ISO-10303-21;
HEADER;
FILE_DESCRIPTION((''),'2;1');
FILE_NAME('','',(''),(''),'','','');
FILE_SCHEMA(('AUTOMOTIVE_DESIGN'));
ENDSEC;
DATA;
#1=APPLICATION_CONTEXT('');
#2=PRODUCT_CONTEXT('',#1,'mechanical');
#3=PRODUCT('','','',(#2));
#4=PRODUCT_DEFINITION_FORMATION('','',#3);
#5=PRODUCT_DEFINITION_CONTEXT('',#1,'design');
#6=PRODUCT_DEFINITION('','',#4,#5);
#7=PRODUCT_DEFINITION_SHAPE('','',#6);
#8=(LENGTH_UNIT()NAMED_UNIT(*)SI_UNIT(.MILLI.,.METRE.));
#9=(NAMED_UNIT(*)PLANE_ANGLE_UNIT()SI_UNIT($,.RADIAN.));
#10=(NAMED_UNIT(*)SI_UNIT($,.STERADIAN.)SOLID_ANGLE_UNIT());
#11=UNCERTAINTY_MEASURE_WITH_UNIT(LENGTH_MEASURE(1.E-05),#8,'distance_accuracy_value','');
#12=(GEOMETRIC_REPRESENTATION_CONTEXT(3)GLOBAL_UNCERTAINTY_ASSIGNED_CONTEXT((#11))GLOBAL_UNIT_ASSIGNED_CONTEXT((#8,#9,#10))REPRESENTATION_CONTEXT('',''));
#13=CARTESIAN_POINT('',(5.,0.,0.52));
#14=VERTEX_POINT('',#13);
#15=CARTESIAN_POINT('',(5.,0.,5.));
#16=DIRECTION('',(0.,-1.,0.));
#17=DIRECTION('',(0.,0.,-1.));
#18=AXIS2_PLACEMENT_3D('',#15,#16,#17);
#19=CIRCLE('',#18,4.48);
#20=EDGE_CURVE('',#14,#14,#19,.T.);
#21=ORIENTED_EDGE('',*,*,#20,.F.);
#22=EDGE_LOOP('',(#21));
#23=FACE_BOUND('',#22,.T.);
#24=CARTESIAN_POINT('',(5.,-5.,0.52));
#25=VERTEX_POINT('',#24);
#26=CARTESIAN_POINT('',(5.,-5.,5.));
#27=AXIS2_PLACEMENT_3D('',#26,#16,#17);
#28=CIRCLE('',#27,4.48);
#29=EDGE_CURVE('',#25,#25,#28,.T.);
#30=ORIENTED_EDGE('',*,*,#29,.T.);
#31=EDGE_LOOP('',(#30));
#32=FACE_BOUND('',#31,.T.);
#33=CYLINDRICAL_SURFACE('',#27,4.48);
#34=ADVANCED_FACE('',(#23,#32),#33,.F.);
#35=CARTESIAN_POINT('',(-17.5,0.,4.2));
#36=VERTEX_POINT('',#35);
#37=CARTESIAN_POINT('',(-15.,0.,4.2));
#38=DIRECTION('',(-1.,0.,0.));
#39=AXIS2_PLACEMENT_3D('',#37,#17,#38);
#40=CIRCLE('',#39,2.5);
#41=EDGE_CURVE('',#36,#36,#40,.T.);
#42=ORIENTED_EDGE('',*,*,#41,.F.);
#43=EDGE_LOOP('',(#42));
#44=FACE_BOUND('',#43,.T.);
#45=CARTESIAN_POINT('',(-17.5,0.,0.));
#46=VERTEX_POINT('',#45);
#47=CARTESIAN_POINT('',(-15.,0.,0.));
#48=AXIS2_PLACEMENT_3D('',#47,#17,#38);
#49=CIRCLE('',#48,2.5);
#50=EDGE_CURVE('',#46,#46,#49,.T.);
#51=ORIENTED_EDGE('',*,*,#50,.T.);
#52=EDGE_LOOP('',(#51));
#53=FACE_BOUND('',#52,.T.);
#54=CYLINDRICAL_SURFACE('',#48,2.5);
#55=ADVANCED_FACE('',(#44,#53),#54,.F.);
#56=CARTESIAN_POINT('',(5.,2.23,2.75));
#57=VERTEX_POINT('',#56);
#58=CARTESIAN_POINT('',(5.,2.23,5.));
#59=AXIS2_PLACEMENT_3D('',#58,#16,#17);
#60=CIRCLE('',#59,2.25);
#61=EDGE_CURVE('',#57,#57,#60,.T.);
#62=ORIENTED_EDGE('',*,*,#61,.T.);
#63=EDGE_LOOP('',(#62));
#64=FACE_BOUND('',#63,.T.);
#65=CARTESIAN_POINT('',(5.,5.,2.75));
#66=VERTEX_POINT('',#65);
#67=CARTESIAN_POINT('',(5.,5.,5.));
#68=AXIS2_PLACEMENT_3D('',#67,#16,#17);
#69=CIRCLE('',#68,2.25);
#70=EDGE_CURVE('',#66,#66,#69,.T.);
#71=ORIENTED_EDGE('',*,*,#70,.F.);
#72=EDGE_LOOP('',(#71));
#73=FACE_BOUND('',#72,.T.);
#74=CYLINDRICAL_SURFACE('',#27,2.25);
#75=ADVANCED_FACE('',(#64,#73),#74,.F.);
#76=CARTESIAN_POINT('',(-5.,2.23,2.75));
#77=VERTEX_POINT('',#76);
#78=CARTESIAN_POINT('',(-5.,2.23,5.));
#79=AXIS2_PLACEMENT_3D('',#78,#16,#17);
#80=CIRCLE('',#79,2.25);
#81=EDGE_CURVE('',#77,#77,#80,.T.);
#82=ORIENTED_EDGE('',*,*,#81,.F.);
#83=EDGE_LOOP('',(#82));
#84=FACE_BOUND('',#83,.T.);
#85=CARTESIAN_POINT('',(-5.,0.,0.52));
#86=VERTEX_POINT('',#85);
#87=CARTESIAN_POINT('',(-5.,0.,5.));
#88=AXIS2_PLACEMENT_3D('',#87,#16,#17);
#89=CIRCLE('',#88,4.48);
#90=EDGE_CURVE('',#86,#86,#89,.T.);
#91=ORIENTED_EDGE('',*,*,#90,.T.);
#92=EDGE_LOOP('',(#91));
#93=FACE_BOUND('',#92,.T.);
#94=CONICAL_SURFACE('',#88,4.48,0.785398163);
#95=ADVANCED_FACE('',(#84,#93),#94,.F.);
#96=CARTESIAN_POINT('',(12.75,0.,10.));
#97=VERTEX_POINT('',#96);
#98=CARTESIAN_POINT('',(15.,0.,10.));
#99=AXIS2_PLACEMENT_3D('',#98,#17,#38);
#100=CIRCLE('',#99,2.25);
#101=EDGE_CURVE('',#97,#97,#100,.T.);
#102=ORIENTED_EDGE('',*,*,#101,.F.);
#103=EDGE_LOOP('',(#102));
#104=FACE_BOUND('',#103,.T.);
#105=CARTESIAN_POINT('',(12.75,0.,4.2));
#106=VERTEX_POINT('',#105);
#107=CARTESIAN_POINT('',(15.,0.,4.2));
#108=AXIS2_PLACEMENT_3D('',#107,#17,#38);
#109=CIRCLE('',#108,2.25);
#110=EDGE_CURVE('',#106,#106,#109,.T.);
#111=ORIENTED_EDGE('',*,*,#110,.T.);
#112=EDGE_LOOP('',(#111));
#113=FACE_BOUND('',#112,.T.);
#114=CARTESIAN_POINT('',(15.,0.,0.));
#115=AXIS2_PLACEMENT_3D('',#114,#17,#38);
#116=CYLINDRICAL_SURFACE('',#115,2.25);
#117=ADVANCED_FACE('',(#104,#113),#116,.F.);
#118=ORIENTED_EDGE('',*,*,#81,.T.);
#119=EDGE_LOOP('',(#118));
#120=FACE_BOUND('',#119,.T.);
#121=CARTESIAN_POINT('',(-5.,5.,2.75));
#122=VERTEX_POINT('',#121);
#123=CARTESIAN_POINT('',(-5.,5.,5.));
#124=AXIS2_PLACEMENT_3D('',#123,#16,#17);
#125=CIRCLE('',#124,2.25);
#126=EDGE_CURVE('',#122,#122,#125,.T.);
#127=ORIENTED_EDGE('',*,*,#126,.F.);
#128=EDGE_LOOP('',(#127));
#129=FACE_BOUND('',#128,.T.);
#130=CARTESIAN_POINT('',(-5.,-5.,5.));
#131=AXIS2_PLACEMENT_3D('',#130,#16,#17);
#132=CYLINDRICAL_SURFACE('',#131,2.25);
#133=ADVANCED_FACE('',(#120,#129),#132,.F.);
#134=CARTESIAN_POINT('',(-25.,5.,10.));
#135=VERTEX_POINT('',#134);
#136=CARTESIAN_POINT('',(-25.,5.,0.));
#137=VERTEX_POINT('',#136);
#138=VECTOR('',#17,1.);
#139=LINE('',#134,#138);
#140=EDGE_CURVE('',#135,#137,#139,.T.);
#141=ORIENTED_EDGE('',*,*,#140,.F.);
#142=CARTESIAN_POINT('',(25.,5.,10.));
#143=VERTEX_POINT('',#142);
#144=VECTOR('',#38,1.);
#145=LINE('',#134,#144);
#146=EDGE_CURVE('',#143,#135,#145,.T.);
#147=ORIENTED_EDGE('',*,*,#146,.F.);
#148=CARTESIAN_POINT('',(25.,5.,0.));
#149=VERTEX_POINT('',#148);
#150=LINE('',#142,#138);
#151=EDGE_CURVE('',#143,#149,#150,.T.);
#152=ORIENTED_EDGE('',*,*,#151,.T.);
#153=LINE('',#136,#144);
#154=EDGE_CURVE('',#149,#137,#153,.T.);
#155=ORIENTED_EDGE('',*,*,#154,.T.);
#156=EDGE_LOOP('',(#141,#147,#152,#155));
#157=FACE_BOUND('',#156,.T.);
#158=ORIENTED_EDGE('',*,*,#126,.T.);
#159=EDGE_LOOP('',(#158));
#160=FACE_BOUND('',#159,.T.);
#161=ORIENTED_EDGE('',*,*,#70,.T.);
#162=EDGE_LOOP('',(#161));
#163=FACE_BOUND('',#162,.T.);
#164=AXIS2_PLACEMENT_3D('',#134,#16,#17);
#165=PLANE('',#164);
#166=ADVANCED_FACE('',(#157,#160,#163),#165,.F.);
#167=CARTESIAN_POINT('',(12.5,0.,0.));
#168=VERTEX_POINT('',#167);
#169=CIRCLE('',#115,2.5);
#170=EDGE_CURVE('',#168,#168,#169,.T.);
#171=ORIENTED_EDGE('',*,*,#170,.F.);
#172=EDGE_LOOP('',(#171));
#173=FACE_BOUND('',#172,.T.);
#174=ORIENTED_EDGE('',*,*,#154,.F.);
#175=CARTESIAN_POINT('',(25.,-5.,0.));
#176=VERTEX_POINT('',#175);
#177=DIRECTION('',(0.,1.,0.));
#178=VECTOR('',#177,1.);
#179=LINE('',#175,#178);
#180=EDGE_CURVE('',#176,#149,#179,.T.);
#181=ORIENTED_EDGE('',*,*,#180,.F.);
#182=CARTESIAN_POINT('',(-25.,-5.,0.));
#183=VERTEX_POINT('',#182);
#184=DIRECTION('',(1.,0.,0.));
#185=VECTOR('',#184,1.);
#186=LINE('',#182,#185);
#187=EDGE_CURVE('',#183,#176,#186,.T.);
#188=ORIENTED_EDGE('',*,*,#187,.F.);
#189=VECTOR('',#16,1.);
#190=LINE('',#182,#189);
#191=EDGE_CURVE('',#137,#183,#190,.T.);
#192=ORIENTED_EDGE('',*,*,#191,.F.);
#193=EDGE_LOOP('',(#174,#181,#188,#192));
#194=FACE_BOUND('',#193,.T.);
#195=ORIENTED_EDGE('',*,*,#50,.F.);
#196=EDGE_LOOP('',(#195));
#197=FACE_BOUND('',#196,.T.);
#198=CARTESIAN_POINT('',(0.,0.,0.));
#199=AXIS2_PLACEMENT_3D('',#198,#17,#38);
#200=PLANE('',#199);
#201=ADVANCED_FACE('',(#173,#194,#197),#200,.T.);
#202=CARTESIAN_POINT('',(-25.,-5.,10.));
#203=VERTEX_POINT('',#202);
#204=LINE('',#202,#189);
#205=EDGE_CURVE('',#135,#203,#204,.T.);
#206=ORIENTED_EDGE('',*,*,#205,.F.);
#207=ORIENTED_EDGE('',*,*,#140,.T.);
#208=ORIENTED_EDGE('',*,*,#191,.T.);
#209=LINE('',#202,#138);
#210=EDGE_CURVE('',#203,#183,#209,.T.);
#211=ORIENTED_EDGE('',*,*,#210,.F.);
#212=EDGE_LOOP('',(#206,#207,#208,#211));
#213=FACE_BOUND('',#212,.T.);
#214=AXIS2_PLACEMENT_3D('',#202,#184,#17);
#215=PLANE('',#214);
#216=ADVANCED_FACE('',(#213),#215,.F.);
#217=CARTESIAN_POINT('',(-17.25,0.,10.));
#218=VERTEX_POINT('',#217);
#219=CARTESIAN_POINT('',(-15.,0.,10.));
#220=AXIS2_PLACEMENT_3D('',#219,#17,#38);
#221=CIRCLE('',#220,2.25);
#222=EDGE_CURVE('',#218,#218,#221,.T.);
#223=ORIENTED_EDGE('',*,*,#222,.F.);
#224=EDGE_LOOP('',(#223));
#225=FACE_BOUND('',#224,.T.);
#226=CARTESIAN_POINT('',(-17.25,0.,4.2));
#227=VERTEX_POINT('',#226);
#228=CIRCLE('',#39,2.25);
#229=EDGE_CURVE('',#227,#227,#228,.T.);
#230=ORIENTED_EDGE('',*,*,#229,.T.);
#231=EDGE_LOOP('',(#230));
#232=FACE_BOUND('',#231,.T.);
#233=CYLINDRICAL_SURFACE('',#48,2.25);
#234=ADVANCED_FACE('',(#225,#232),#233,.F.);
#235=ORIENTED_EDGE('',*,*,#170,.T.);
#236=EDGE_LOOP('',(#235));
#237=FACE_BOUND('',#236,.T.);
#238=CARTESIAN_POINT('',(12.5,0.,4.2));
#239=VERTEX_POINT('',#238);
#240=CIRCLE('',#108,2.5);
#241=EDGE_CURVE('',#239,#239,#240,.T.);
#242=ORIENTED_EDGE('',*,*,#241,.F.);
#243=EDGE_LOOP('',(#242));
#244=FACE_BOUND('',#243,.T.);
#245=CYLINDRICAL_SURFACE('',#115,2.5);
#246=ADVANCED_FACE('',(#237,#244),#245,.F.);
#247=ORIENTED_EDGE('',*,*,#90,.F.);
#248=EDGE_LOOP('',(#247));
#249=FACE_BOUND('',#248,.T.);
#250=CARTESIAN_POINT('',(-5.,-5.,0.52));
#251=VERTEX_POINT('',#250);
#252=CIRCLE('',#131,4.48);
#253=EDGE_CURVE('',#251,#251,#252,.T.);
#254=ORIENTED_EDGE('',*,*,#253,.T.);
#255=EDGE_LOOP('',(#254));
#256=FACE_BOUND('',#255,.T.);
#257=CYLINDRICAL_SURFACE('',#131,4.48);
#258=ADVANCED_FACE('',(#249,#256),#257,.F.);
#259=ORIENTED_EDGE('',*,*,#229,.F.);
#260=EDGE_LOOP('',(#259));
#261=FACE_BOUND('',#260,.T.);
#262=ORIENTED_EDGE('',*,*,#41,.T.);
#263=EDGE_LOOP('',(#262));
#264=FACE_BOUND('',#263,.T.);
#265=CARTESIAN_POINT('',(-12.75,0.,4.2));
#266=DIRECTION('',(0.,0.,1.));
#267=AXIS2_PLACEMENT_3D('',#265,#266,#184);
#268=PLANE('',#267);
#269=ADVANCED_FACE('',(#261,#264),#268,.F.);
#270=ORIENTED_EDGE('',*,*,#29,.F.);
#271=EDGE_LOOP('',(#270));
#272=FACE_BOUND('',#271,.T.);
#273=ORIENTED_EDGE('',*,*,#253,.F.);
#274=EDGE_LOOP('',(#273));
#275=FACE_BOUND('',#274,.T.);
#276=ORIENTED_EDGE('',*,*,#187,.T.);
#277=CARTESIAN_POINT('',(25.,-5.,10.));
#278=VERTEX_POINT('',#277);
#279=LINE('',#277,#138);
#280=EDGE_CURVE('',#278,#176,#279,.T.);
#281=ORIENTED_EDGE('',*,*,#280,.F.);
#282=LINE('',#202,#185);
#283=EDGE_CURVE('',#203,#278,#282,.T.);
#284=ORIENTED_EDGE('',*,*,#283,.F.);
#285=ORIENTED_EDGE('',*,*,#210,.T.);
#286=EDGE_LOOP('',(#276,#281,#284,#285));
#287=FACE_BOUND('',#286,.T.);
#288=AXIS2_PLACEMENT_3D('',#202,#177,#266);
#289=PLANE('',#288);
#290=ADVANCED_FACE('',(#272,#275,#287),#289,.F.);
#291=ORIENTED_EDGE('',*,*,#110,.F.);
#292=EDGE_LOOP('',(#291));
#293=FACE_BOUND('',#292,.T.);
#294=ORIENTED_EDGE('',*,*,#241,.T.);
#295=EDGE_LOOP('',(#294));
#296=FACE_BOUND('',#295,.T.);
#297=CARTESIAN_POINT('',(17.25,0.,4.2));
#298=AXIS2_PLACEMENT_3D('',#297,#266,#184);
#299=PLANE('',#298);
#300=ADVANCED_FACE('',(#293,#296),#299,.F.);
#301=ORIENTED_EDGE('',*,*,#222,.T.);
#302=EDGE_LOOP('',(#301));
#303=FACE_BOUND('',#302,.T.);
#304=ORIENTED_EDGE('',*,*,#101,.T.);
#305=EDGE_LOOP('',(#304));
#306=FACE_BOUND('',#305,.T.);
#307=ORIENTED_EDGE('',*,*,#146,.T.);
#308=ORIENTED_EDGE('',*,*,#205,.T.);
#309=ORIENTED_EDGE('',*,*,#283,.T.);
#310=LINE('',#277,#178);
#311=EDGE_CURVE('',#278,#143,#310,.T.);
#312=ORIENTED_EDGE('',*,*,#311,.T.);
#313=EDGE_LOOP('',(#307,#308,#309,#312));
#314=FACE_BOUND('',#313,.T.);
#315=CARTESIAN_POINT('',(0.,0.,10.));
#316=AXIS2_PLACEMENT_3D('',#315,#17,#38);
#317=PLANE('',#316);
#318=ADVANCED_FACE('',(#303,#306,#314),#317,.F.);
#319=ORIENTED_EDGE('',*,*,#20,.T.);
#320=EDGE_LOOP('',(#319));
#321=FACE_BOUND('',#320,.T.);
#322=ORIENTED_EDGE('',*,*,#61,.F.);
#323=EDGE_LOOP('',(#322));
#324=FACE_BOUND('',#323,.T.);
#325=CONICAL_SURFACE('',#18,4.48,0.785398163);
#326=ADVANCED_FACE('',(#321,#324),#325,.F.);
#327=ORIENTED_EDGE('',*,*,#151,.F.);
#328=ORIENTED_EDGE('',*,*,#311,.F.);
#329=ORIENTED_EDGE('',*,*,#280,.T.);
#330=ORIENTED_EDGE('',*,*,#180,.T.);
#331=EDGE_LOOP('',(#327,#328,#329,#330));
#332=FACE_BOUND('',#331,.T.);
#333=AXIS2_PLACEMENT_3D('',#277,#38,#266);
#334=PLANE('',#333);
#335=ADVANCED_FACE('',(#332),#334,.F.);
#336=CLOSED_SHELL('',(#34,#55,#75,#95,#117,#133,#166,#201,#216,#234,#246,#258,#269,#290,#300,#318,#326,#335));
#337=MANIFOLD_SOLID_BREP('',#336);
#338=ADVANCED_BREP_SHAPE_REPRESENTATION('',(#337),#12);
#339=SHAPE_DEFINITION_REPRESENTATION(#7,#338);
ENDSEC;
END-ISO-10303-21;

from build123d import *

# Parameters (mm, degrees)
SKETCH1_W                               = 50
SKETCH1_H                               = 10
BOSS_EXTRUDE1_DEPTH                     = 10
CSK_FOR_M4_SFHCS1_AT_2_COUNT            = 2
CSK_FOR_M4_SFHCS1_AT_2_PITCH            = 10
CBORE_FOR_M5_HEX_HEAD_BOLT1_D           = 4.5
CBORE_FOR_M5_HEX_HEAD_BOLT1_CBORE_D     = 5
CBORE_FOR_M5_HEX_HEAD_BOLT1_CBORE_DEPTH = 4.2


with BuildPart() as part:
    # Sketch1 → Boss-Extrude1 (new body)
    with BuildSketch(Plane.XY):
        Rectangle(SKETCH1_W, SKETCH1_H)
    extrude(amount=BOSS_EXTRUDE1_DEPTH)

    # Sketch9 → CSK for M4 SFHCS1 (revolve, cut)
    with BuildSketch(Plane(origin=(5, -5, 5), x_dir=(0, 0, -1), z_dir=(1, 0, 0))):
        Polygon((0, 0), (0, 10), (2.25, 10), (2.25, 7.23), (4.48, 5), (4.48, 0), align=None)
    csk_for_m4_sfhcs1 = revolve(axis=Axis((5, -11.35, 5), (0, 1, 0)), mode=Mode.SUBTRACT)

    # CSK for M4 SFHCS1 at 2: CSK for M4 SFHCS1 ×2
    with Locations(*[(-i * CSK_FOR_M4_SFHCS1_AT_2_PITCH, 0, 0) for i in range(1, CSK_FOR_M4_SFHCS1_AT_2_COUNT)]):
        add(csk_for_m4_sfhcs1, mode=Mode.SUBTRACT)

    # CBORE for M5 Hex Head Bolt1 (through all)
    with Locations(Plane(origin=(0, 0, 0), x_dir=(-1, 0, 0), z_dir=(0, 0, -1))):
        with Locations((-15, 0), (15, 0)):
            CounterBoreHole(CBORE_FOR_M5_HEX_HEAD_BOLT1_D / 2, CBORE_FOR_M5_HEX_HEAD_BOLT1_CBORE_D / 2, CBORE_FOR_M5_HEX_HEAD_BOLT1_CBORE_DEPTH)


solid = part.part
